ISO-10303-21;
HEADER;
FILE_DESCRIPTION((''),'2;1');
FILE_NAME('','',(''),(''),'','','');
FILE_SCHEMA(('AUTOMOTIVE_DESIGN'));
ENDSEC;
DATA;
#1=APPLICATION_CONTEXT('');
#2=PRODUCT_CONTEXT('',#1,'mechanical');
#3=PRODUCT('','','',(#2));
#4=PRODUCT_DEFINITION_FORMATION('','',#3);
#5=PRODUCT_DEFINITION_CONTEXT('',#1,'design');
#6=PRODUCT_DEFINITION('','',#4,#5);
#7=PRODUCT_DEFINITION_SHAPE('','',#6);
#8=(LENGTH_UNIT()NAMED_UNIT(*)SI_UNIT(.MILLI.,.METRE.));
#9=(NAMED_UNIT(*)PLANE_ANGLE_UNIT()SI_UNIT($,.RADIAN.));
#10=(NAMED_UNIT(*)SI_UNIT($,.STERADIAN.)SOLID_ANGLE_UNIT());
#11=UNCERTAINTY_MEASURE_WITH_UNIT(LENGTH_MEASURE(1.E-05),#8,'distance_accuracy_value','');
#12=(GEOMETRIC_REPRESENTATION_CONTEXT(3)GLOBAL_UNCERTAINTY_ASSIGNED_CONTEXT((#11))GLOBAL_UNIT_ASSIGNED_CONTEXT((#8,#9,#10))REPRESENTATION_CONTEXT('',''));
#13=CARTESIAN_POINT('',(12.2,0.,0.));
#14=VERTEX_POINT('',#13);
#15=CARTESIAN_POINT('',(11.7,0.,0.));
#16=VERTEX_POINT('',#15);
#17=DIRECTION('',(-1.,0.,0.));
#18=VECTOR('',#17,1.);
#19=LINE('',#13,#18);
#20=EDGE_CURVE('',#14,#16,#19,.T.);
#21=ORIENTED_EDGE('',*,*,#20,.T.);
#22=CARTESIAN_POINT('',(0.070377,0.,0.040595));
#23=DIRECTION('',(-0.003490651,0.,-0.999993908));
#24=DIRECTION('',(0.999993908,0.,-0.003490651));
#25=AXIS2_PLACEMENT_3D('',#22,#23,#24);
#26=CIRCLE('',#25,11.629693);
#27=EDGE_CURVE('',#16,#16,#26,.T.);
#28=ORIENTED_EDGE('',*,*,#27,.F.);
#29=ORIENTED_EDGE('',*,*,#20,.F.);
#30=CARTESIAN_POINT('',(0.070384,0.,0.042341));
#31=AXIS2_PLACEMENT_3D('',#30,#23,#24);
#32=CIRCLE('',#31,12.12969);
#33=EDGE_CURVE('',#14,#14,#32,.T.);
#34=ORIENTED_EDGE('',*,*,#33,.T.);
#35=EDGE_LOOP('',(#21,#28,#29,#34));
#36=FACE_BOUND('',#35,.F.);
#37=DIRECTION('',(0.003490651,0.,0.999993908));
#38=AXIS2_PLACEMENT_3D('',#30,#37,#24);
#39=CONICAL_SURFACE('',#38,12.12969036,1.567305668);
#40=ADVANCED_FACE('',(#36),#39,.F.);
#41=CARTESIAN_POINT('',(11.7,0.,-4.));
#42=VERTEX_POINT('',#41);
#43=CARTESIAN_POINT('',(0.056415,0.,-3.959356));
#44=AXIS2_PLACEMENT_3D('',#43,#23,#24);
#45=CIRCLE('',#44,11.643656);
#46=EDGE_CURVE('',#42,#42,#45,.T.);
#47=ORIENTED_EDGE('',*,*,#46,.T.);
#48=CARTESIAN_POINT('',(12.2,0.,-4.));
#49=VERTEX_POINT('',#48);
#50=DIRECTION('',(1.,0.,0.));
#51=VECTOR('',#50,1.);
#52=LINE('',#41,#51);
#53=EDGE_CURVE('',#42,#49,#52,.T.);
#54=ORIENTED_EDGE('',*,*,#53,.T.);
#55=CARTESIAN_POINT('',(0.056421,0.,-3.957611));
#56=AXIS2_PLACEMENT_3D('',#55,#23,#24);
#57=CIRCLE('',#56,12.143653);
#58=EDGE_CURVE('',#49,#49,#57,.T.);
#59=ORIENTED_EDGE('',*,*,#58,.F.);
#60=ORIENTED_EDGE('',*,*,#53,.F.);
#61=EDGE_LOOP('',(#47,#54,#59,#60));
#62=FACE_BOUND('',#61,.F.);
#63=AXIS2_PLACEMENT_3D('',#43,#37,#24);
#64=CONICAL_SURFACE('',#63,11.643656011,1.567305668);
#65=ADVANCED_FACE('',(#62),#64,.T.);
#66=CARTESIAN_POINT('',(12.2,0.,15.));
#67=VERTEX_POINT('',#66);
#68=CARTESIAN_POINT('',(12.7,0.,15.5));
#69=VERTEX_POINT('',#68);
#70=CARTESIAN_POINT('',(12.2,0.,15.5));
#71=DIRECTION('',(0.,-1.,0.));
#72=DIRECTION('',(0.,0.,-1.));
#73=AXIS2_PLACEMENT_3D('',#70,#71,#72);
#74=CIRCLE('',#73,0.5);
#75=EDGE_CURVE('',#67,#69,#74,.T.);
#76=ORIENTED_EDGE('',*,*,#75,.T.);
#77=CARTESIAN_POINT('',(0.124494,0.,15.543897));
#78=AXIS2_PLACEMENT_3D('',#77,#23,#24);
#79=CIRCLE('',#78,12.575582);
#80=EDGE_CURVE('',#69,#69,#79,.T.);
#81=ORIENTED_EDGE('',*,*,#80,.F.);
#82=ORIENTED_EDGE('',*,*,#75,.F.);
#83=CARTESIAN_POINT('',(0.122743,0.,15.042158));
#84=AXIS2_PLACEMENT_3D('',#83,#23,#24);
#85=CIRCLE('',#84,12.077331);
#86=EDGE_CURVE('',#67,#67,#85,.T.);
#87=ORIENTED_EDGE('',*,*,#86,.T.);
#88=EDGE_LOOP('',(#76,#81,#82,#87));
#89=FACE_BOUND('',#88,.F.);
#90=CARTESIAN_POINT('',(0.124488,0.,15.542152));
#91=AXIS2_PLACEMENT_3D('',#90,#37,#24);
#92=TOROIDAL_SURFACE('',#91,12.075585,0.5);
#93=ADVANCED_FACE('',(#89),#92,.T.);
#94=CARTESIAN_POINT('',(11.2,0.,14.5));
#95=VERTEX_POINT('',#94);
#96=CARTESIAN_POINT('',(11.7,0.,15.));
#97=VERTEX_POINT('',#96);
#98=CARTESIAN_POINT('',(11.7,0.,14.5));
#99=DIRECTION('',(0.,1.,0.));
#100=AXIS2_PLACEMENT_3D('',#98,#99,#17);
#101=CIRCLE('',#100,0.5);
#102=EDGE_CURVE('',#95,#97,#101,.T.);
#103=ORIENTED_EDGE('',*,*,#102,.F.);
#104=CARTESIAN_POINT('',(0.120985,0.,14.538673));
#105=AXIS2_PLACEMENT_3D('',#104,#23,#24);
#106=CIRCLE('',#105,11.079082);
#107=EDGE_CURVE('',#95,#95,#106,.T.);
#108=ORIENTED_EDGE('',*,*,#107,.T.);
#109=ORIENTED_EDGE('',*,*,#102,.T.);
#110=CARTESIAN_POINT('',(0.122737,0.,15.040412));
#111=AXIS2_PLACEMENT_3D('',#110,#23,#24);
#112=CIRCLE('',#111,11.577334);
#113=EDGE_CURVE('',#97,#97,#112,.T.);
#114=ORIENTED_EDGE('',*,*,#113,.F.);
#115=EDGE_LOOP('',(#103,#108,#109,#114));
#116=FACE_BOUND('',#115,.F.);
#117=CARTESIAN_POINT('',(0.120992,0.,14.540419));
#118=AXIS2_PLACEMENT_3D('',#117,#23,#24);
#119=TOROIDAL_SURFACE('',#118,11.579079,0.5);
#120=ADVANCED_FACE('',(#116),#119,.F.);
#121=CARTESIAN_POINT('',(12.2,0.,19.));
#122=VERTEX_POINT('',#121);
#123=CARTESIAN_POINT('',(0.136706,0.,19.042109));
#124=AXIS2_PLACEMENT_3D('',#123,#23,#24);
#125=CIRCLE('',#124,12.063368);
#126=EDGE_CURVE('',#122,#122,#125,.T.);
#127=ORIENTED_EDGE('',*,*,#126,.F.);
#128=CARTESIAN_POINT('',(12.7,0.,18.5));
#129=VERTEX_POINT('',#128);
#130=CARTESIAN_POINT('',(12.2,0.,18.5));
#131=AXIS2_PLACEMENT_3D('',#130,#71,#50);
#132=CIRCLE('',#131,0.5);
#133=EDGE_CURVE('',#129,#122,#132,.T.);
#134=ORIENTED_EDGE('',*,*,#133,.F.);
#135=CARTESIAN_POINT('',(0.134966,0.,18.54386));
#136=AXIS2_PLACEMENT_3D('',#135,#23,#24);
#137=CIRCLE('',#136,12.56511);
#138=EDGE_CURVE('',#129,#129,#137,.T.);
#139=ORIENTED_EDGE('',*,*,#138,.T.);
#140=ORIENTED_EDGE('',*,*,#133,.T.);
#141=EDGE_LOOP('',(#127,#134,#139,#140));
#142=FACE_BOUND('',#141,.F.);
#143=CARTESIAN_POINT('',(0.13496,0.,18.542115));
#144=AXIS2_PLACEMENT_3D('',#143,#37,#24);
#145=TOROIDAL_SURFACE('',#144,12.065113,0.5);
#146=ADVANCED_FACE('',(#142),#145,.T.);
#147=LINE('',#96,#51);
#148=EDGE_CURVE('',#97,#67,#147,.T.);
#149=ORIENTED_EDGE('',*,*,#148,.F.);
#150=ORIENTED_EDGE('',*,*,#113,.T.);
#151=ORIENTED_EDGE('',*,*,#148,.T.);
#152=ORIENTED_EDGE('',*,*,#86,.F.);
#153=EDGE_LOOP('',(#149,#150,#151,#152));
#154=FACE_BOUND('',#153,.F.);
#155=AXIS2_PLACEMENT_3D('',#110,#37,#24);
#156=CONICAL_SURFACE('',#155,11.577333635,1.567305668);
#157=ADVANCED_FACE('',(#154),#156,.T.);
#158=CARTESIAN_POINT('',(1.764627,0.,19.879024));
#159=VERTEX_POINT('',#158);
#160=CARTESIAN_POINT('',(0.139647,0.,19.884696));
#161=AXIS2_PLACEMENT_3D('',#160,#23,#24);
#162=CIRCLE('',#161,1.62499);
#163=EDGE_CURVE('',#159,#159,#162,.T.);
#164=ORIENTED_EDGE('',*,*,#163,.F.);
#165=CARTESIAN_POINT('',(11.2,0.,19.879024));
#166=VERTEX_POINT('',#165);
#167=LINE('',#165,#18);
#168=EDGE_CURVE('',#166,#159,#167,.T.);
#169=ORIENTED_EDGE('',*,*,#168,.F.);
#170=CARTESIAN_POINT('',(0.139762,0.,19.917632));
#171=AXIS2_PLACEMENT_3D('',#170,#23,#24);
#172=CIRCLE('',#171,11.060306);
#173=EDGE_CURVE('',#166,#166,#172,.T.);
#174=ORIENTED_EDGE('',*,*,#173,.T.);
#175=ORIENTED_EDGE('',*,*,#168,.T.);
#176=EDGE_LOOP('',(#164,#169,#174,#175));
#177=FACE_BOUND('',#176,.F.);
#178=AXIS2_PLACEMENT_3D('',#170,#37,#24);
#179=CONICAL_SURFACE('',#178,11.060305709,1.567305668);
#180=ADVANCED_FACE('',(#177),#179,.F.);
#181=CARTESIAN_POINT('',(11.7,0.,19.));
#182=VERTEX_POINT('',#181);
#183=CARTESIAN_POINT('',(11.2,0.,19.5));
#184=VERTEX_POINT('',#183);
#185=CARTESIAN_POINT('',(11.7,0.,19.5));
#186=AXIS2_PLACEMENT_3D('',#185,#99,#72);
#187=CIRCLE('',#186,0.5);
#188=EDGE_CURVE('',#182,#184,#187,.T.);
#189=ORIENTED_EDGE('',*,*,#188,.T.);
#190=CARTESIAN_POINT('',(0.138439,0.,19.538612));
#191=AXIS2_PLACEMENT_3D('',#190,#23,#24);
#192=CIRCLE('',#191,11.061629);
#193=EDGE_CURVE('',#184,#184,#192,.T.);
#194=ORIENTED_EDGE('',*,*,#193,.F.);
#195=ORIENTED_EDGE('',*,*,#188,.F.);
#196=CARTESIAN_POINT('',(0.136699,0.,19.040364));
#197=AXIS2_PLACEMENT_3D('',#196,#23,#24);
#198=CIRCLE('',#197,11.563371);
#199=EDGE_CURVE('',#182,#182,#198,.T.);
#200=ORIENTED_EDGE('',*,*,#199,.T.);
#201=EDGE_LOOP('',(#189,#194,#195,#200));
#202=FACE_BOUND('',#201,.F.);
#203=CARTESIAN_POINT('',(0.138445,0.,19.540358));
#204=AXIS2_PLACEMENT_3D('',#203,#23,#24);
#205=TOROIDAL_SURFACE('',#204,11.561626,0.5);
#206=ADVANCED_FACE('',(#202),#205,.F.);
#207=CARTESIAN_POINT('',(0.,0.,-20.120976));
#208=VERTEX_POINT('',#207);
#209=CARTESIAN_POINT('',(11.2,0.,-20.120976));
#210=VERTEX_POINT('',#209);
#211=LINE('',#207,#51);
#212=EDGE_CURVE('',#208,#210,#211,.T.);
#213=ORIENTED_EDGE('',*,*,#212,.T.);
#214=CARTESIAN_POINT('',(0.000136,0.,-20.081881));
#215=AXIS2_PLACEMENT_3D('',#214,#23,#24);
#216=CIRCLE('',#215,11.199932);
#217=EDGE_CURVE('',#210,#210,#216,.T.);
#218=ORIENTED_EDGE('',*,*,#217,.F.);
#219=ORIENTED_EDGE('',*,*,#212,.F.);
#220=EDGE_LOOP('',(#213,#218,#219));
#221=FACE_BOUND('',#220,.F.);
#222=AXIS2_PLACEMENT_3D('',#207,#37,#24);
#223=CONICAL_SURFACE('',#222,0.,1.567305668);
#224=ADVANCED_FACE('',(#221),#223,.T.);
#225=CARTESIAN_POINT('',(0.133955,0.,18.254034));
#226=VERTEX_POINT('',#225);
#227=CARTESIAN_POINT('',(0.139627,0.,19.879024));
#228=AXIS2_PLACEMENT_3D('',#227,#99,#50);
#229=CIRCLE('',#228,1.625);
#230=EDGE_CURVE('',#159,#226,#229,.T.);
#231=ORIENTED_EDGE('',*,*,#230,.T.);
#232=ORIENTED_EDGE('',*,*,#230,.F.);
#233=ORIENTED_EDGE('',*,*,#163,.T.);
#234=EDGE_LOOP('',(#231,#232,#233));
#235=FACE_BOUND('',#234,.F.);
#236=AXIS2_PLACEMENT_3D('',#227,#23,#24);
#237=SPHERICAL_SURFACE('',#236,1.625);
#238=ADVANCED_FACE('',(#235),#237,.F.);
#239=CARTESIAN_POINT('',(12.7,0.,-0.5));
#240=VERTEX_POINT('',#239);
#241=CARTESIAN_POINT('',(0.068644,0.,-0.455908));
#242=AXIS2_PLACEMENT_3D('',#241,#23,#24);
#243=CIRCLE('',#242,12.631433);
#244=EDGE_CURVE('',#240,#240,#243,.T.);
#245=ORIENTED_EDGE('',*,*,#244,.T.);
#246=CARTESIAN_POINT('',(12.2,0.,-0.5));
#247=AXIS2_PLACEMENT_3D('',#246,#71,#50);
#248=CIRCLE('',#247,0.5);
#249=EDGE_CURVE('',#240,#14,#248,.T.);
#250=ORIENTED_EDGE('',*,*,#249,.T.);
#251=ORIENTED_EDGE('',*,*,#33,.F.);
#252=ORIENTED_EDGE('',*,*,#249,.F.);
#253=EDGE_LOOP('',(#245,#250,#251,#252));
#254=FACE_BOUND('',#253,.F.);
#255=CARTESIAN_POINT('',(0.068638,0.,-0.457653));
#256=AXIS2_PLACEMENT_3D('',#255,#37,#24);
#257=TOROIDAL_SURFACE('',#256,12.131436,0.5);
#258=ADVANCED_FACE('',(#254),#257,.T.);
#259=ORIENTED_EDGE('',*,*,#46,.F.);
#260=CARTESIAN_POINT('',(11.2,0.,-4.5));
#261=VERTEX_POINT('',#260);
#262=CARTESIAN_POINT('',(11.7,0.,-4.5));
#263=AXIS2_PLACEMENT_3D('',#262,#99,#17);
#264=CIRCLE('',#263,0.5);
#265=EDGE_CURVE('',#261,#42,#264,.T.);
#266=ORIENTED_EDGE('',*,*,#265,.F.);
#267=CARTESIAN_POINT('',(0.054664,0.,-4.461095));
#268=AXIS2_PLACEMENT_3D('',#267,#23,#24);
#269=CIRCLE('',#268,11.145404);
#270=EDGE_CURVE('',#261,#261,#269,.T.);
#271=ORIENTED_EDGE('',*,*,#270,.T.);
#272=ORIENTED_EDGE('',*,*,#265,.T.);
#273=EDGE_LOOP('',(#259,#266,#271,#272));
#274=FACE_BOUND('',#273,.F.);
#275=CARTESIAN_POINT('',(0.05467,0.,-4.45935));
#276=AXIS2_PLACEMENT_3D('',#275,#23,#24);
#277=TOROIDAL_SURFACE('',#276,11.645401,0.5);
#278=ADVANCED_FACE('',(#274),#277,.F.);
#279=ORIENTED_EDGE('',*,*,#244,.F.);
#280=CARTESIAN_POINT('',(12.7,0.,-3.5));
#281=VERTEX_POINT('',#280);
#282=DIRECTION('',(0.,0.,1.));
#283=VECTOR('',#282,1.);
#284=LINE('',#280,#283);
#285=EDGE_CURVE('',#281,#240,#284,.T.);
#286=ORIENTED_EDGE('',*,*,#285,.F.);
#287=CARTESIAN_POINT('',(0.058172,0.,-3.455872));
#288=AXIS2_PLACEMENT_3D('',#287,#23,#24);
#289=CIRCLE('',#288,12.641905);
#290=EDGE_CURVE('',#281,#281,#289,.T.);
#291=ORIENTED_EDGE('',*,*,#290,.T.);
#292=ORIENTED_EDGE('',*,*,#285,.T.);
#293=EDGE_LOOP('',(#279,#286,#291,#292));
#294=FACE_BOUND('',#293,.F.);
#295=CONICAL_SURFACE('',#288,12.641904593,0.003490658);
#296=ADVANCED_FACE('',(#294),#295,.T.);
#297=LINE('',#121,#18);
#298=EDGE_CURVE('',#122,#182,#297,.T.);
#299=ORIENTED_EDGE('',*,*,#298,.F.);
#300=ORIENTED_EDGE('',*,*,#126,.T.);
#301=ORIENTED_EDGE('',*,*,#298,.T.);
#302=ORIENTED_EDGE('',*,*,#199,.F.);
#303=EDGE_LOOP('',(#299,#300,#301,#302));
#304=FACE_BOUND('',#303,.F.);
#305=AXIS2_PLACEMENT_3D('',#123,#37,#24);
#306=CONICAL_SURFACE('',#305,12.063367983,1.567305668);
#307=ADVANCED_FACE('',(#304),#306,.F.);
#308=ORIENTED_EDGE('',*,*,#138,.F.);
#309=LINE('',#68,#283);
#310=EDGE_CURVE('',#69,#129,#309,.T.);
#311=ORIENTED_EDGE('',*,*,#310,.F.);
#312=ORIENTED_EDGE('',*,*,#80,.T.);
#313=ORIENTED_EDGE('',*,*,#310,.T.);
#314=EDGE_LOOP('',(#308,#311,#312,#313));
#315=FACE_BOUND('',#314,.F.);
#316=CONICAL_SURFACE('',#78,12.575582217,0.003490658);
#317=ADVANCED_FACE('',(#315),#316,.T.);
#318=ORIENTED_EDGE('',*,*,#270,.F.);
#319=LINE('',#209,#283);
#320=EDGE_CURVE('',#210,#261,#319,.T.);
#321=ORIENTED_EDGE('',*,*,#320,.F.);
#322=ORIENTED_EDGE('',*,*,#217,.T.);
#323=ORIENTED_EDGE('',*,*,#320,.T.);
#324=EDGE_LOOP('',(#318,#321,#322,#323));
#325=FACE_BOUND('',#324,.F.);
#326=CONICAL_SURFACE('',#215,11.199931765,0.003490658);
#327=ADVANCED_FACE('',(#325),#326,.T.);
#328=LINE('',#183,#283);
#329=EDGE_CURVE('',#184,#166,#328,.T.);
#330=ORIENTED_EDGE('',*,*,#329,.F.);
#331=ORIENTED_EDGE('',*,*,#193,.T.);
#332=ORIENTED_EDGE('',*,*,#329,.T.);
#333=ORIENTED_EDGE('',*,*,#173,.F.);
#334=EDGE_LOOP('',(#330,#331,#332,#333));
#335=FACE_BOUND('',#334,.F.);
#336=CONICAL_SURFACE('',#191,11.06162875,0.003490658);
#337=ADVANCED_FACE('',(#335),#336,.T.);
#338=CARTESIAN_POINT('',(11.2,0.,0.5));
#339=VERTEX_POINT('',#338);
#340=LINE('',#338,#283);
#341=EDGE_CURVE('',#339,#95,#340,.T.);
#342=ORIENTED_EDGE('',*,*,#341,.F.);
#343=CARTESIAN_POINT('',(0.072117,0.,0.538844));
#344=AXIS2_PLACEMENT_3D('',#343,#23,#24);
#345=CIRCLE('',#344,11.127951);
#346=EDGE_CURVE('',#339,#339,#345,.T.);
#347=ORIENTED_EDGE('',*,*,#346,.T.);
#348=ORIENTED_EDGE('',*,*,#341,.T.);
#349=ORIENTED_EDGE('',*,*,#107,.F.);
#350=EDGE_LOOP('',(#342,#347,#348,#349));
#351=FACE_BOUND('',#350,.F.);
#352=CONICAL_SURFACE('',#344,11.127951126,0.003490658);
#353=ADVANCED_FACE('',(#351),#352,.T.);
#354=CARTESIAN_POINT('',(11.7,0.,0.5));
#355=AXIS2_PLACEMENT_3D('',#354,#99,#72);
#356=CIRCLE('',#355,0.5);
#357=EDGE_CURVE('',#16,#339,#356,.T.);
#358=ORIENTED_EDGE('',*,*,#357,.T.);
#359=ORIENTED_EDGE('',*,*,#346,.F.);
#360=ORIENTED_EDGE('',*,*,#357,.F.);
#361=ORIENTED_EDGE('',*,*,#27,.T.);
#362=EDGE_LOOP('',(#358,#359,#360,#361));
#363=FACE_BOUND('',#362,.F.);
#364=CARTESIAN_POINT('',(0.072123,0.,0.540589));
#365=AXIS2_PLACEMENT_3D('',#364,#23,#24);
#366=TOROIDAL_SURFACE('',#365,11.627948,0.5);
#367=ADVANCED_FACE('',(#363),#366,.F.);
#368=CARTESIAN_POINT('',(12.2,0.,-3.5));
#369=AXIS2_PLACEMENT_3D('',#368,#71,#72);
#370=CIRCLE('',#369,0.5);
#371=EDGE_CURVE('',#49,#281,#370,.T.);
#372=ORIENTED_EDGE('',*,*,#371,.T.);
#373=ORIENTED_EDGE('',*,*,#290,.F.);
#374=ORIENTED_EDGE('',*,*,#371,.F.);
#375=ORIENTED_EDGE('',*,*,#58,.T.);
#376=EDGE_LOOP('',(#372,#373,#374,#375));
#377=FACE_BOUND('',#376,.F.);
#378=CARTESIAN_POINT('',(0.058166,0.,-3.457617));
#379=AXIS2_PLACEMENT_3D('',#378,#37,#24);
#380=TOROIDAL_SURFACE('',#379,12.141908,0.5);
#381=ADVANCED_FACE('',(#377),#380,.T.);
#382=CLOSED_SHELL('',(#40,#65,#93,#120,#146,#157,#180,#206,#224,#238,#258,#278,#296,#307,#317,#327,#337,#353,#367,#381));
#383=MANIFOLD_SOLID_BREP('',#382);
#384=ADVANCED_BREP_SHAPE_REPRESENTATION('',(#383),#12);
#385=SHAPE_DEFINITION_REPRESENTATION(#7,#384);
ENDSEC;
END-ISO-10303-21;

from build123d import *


with BuildPart() as f1:
    # F0 (on Front) → F1 (revolve)
    with BuildSketch(Plane.XZ):
        with BuildLine():
            Line((0.1002255656, 8.591416776), (9.5, 8.5586052402))
            ThreePointArc((9.5, 8.5586052402), (8.85, 9.2086052402), (9.5, 9.8586052402))
            Line((9.5, 9.8586052402), (0.1046489058, 9.8586052402))
            Line((0.1046489058, 9.8586052402), (0.1002255656, 8.591416776))
        make_face()
        Polygon((0, -20.1209761511), (0.1047061455, -20.1209761511), (9.5, -20.1209761511), (9.5, 8.5586052402), (0.1002255656, 8.591416776), align=None)
        with BuildLine():
            Line((9.5, 8.5586052402), (9.5, -20.1209761511))
            Line((9.5, -20.1209761511), (11.2, -20.1209761511))
            Line((11.2, -20.1209761511), (11.2, -4.5))
            ThreePointArc((11.2, -4.5), (11.3464466094, -4.1464466094), (11.7, -4))
            Line((11.7, -4), (12.2, -4))
            ThreePointArc((12.2, -4), (12.5535533906, -3.8535533906), (12.7, -3.5))
            Line((12.7, -3.5), (12.7, -0.5))
            ThreePointArc((12.7, -0.5), (12.5535533906, -0.1464466094), (12.2, 0))
            Line((12.2, 0), (11.7, 0))
            ThreePointArc((11.7, 0), (11.3464466094, 0.1464466094), (11.2, 0.5))
            Line((11.2, 0.5), (11.2, 14.5))
            ThreePointArc((11.2, 14.5), (11.3464466094, 14.8535533906), (11.7, 15))
            Line((11.7, 15), (12.2, 15))
            ThreePointArc((12.2, 15), (12.5535533906, 15.1464466094), (12.7, 15.5))
            Line((12.7, 15.5), (12.7, 18.5))
            ThreePointArc((12.7, 18.5), (12.5535533906, 18.8535533906), (12.2, 19))
            Line((12.2, 19), (11.7, 19))
            ThreePointArc((11.7, 19), (11.3464466094, 19.1464466094), (11.2, 19.5))
            Line((11.2, 19.5), (11.2, 19.8790238489))
            Line((11.2, 19.8790238489), (1.7646269073, 19.8790238489))
            ThreePointArc((1.7646269073, 19.8790238489), (1.2866682096, 18.7279716126), (0.1339545987, 18.2540337489))
            Line((0.1339545987, 18.2540337489), (0.1047633848, 9.891400936))
            Line((0.1047633848, 9.891400936), (9.5, 9.8586052402))
            ThreePointArc((9.5, 9.8586052402), (8.85, 9.2086052402), (9.5, 8.5586052402))
        make_face()
        Polygon((0.1046489058, 9.8586052402), (9.5, 9.8586052402), (0.1047633848, 9.891400936), align=None)
    revolve(axis=Axis((0.0669772994, 0, -0.9334712011), (-0.0034906514, 0, -0.9999939077)))


solid = f1.part
